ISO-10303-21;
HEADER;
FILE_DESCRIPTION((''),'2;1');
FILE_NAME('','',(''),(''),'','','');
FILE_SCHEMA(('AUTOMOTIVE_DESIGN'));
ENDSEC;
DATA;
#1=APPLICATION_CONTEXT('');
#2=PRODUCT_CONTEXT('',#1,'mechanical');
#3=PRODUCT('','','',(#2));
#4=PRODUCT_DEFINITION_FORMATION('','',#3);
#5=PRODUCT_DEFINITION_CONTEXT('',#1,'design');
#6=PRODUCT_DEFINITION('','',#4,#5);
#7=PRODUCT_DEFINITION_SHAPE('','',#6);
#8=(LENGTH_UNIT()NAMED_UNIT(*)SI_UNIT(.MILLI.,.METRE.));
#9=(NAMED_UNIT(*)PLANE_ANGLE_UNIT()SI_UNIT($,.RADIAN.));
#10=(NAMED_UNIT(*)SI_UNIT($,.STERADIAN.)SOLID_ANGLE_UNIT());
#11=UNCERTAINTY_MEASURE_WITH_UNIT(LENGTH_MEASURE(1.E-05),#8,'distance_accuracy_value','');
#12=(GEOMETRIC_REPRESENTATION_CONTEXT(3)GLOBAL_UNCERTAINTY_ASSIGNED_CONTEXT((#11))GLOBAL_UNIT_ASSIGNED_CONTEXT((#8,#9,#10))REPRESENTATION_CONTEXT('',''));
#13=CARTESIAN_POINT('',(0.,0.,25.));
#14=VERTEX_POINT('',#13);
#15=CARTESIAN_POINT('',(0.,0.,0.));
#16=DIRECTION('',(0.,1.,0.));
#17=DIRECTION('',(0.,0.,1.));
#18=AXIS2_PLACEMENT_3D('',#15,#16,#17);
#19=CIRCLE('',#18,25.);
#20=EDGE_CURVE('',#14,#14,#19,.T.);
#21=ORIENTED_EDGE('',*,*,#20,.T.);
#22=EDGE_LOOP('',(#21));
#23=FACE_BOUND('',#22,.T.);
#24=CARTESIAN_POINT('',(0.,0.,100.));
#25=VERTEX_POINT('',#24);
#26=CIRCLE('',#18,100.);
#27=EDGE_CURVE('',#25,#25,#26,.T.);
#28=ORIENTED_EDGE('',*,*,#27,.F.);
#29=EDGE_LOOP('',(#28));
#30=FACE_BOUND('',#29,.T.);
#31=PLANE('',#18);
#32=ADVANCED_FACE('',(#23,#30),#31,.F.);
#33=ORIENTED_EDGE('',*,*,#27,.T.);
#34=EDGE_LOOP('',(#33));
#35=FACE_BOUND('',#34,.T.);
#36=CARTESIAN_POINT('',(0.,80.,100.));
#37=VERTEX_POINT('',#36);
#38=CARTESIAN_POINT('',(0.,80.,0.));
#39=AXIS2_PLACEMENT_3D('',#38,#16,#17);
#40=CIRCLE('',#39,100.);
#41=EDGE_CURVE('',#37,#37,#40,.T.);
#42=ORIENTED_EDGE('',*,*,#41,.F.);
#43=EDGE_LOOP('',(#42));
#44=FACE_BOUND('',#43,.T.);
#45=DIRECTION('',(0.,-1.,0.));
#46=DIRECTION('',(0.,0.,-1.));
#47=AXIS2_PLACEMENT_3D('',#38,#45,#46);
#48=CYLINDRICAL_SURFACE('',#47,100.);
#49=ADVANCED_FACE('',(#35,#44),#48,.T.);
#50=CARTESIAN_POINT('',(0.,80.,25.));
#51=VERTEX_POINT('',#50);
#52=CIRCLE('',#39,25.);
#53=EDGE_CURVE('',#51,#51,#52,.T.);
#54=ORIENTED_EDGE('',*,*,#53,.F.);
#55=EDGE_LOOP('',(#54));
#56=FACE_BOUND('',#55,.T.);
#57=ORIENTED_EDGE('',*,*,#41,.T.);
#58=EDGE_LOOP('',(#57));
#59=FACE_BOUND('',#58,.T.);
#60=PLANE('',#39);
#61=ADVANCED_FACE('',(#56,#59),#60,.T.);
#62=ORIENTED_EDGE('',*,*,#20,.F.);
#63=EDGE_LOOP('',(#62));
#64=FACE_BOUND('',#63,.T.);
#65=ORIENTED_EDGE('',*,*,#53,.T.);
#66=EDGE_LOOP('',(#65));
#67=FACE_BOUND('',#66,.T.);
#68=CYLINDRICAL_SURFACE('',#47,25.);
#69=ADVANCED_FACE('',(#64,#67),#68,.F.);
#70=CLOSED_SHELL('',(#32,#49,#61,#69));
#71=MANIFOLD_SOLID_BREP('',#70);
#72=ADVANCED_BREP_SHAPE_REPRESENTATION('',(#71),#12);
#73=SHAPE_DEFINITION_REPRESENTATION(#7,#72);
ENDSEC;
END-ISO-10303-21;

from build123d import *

# Parameters (mm, degrees)
SKETCH1_R           = 100
SKETCH1_R_2         = 25
BOSS_EXTRUDE1_DEPTH = 80


with BuildPart() as part:
    # Sketch1 → Boss-Extrude1 (new body)
    with BuildSketch(Plane(origin=(0, 0, 0), x_dir=(1, 0, 0), z_dir=(0, 1, 0))):
        with Locations(Location((0, 0, 0), (0, 0, 270))):
            Circle(SKETCH1_R)
        with Locations(Location((0, 0, 0), (0, 0, 270))):
            Circle(SKETCH1_R_2, mode=Mode.SUBTRACT)
    extrude(amount=BOSS_EXTRUDE1_DEPTH)


solid = part.part
